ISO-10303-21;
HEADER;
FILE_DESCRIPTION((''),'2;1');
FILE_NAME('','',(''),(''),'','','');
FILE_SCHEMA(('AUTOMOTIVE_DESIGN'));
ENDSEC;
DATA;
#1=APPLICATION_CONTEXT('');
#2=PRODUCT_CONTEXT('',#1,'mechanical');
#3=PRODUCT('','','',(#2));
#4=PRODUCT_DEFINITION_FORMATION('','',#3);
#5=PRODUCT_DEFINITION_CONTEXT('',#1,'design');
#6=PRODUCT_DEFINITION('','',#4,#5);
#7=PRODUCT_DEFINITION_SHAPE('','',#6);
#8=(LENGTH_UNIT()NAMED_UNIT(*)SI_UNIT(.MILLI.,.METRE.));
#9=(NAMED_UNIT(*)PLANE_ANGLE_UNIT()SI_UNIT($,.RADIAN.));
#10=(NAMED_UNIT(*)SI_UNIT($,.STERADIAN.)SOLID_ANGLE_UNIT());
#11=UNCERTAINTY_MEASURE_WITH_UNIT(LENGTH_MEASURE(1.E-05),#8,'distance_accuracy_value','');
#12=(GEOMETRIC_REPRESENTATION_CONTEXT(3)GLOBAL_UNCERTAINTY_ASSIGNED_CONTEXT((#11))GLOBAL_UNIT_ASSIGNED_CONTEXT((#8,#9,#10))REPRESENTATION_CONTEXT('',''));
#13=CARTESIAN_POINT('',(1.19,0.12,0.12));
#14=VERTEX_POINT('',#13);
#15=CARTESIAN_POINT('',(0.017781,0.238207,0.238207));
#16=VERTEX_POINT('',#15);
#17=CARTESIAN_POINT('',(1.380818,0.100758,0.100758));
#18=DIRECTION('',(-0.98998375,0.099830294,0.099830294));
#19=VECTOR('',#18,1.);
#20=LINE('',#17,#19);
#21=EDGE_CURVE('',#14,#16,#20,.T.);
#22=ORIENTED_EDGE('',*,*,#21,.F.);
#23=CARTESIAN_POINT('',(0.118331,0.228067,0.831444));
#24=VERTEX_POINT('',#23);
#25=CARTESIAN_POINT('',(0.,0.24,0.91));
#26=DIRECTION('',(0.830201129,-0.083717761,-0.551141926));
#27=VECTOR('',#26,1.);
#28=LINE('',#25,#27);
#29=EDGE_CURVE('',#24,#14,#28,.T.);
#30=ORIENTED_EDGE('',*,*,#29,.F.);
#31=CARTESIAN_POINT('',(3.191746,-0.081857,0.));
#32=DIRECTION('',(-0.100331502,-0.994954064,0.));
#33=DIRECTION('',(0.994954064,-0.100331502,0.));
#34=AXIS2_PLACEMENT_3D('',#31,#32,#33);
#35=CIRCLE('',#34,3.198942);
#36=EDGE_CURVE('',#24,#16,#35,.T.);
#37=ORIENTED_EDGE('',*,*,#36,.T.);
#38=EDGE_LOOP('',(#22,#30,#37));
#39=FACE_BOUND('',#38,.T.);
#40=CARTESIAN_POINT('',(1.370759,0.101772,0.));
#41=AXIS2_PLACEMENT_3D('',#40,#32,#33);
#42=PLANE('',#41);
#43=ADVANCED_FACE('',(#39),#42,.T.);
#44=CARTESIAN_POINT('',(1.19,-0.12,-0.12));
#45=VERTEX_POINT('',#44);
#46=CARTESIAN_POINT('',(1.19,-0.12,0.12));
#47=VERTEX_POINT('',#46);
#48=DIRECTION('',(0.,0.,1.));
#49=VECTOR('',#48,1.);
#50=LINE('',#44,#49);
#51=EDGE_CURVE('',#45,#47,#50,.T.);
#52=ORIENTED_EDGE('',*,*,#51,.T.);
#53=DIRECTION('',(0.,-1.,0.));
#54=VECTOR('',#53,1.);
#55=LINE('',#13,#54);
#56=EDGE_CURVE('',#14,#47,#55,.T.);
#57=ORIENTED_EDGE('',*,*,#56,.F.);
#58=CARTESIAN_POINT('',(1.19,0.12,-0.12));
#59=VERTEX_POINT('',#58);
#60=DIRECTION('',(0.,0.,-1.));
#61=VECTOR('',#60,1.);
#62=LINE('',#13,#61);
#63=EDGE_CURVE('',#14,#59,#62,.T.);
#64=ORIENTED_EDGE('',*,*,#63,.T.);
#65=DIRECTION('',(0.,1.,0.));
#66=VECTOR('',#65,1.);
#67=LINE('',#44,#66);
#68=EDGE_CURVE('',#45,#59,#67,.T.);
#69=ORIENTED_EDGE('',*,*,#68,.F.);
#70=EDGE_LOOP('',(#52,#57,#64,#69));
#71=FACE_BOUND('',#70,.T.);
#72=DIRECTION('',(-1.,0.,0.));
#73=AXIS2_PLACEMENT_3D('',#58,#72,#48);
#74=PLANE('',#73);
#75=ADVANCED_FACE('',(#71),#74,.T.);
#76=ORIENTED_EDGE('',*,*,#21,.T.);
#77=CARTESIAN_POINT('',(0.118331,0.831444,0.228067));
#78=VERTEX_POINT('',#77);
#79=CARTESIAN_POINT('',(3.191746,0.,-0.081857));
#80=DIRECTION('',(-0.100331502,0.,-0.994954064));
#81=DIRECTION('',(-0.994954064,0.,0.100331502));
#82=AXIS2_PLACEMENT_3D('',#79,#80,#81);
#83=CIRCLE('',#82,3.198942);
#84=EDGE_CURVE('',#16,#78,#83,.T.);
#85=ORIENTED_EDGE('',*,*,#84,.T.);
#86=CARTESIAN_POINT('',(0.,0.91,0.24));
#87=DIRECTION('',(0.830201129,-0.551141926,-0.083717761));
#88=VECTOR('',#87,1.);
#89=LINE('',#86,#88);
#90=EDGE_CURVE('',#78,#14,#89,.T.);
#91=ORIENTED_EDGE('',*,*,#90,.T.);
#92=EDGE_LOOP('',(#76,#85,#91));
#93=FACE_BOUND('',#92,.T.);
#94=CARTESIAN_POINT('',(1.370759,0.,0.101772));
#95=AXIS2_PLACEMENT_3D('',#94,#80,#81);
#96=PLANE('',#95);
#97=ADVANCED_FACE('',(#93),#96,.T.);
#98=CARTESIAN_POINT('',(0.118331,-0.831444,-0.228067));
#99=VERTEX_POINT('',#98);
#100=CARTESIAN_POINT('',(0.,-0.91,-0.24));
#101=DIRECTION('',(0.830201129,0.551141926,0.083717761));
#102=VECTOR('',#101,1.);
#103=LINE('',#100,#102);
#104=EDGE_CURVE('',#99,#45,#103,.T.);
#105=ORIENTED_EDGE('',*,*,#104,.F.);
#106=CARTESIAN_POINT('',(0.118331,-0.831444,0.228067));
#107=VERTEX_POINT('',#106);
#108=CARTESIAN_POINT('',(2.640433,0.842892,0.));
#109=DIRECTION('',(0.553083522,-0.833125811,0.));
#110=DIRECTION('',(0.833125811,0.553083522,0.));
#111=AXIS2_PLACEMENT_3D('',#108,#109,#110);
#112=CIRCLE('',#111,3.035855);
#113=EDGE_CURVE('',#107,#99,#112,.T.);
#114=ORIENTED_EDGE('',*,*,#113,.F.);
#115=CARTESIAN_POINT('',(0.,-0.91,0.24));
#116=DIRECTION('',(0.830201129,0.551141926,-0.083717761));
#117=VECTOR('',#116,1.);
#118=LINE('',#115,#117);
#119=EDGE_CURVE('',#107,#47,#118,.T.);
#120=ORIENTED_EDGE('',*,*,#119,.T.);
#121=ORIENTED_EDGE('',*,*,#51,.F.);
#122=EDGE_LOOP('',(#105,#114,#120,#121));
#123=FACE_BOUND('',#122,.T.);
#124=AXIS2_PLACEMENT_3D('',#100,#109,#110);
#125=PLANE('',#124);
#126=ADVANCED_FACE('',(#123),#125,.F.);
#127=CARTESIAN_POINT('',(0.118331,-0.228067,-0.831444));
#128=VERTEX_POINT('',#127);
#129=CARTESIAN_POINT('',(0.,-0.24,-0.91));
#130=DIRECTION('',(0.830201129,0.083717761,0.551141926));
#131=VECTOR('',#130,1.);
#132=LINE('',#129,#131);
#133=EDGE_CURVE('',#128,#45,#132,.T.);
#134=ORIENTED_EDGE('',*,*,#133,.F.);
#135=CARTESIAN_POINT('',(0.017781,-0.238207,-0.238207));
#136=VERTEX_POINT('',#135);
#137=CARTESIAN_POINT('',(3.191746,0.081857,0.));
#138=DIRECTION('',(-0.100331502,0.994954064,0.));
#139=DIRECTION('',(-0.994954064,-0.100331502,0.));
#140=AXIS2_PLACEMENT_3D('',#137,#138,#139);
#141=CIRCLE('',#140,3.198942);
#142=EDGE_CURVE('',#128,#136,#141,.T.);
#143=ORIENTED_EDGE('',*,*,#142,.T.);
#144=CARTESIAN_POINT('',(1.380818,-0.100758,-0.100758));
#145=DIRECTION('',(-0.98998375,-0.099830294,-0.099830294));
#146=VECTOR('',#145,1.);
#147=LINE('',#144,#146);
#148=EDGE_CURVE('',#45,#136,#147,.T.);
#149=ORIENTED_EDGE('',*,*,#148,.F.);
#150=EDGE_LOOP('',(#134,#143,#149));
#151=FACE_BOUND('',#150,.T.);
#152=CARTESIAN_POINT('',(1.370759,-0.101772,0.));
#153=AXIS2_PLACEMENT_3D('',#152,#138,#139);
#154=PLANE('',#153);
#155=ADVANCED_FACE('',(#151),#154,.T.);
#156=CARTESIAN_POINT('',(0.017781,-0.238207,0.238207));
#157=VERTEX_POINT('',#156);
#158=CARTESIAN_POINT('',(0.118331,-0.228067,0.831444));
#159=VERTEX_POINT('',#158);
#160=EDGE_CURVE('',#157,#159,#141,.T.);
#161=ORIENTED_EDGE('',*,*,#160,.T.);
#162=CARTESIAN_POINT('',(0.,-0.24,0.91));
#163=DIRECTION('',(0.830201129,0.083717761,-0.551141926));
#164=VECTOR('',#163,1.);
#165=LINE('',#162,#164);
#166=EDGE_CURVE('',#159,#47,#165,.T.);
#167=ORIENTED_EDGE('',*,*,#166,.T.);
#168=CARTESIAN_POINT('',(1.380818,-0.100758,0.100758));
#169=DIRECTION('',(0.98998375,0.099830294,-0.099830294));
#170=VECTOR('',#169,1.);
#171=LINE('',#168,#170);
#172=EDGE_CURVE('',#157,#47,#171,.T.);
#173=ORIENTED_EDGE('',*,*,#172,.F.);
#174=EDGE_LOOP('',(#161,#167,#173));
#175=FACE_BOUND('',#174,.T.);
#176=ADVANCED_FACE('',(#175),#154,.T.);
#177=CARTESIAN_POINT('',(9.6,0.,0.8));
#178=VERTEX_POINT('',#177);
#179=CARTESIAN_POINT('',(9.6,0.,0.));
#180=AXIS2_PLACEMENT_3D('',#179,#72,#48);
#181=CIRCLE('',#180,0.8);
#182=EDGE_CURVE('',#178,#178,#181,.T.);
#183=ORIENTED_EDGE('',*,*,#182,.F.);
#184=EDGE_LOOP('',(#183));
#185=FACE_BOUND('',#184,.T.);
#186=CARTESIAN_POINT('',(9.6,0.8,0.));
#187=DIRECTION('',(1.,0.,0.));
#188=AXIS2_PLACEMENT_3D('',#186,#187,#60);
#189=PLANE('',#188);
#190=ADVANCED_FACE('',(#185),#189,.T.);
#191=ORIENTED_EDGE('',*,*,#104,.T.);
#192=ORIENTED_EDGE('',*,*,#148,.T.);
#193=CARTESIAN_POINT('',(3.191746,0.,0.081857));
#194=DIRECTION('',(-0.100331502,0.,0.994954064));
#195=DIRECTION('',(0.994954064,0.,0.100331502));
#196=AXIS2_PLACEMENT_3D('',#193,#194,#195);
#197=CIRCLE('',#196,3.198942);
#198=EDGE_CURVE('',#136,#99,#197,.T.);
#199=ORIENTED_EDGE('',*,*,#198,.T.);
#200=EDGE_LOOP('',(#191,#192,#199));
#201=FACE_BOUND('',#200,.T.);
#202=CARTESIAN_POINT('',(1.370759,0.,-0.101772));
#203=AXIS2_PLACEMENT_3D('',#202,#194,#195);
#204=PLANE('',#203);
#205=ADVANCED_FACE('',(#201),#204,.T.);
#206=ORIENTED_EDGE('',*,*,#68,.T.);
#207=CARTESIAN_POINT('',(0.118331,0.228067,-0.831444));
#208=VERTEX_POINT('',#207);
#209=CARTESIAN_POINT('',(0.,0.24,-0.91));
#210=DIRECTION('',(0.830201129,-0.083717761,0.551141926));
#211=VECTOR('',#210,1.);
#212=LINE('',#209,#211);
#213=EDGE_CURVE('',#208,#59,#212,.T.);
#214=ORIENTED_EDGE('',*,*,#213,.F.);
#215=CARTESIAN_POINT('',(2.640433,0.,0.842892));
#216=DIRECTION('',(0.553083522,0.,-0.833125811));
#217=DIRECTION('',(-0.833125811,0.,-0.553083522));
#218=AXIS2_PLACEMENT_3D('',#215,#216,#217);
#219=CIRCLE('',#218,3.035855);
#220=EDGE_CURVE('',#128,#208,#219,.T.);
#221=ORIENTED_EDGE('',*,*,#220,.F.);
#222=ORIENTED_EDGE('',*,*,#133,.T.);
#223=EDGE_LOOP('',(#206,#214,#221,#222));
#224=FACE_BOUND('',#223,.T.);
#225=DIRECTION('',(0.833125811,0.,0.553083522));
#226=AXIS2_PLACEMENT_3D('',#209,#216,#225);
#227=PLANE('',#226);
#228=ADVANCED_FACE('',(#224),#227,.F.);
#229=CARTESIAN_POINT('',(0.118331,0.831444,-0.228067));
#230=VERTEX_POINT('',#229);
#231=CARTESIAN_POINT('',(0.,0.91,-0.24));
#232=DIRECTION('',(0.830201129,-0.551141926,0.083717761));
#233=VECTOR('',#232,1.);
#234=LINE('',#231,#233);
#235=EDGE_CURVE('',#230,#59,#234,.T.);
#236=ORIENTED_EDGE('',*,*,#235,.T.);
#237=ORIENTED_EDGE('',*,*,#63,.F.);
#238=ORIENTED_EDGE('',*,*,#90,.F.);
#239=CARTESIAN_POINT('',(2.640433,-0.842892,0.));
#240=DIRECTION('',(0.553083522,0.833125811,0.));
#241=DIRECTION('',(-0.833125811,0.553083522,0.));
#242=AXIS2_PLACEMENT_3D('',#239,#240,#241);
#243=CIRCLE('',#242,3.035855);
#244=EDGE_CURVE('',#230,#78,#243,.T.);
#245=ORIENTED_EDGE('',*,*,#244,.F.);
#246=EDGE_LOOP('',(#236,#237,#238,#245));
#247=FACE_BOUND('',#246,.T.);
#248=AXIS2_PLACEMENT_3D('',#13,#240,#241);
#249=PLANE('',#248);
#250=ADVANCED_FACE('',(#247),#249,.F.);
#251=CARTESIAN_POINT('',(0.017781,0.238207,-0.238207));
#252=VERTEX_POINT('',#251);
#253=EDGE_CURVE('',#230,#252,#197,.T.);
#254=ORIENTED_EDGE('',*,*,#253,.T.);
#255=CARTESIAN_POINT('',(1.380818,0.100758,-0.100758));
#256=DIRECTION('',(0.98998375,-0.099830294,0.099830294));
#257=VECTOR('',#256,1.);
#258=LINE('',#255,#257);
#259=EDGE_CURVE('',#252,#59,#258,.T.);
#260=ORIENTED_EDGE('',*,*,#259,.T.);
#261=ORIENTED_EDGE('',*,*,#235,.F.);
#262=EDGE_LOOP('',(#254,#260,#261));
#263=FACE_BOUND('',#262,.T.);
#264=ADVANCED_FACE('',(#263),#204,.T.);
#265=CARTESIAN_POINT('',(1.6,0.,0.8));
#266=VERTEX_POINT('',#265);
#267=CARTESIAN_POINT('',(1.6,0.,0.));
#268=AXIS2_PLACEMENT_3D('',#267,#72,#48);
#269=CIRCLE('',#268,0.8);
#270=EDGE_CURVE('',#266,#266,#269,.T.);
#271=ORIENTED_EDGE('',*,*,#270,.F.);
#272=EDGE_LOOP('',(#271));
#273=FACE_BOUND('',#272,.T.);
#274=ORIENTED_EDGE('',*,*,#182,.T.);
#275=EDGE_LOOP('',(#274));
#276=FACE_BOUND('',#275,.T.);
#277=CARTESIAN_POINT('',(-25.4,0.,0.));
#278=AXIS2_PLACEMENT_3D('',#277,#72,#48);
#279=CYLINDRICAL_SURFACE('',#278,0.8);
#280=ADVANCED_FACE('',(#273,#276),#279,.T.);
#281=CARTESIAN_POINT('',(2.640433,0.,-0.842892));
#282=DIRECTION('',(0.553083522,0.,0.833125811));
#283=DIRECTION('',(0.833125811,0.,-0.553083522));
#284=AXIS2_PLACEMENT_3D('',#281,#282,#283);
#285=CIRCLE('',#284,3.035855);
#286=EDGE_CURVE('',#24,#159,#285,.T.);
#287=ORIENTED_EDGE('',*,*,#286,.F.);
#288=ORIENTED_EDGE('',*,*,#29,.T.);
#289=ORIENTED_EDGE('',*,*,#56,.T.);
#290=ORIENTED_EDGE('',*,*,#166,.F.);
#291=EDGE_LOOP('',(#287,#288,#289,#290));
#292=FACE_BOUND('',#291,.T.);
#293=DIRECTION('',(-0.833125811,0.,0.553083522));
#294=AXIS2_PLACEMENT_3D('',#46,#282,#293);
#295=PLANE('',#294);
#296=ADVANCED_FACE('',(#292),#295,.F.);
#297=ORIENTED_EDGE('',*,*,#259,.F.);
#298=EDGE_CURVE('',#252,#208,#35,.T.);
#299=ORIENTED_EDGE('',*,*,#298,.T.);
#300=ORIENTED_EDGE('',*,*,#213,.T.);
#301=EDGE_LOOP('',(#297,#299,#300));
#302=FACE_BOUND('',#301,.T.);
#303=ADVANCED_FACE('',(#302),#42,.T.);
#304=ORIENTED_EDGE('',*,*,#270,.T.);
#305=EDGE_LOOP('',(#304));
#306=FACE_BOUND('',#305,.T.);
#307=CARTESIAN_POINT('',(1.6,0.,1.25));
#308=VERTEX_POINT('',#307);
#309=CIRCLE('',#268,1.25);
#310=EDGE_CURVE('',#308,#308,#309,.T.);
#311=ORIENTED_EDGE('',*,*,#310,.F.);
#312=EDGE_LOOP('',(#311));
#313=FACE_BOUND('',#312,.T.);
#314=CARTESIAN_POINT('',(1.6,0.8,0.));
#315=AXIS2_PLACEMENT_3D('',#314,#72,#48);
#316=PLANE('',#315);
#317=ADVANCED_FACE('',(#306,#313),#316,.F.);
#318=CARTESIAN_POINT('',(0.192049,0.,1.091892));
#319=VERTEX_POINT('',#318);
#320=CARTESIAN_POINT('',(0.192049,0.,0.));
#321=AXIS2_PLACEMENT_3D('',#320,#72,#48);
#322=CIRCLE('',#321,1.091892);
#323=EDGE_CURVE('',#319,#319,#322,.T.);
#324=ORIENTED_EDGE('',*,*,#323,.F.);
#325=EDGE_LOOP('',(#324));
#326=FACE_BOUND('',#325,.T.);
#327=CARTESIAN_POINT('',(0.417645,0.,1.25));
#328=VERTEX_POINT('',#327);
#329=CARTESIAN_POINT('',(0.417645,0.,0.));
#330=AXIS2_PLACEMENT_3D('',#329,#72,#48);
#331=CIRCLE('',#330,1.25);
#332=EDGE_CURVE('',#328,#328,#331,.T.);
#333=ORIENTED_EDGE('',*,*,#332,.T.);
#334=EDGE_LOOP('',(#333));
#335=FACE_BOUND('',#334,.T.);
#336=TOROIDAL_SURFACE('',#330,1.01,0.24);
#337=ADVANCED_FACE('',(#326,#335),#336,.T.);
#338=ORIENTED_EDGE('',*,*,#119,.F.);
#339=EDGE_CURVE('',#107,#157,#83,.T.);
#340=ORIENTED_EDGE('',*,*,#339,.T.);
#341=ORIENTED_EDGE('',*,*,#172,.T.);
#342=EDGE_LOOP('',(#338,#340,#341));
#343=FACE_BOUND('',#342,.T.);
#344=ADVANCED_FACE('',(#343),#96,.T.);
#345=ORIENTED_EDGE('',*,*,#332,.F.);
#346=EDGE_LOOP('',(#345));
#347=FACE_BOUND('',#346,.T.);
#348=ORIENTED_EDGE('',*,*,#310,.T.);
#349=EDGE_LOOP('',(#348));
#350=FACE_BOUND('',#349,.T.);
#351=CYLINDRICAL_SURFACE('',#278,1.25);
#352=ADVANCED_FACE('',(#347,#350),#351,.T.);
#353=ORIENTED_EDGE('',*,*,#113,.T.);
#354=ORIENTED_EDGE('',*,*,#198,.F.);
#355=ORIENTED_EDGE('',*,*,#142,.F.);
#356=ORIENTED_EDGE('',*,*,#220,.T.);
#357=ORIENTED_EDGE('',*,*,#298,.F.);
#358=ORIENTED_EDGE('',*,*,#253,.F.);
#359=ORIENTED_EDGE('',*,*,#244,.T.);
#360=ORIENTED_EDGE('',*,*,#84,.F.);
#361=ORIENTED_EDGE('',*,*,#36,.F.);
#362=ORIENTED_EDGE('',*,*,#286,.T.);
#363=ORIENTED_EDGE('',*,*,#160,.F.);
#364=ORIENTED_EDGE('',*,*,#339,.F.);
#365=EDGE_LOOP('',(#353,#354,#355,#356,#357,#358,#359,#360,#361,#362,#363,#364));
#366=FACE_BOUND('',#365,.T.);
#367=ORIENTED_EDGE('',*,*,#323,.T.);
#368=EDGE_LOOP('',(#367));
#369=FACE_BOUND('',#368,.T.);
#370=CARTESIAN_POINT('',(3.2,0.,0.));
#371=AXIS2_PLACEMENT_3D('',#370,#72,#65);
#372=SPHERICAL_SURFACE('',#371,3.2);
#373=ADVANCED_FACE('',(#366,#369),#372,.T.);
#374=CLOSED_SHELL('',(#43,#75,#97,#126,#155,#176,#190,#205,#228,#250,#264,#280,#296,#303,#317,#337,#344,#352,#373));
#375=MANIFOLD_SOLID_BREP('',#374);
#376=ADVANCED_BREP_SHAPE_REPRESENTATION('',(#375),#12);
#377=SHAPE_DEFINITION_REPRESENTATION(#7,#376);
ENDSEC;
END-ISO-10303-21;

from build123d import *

# Parameters (mm, degrees)
SKETCH3_W         = 0.48
SKETCH3_H         = 1.82
SKETCH4_W         = 0.24
SKETCH4_H         = 0.24
CIRPATTERN1_COUNT = 2
CIRPATTERN1_ANGLE = 90


with BuildPart() as part:
    # BodySke → Base-Revolve (revolve)
    with BuildSketch(Plane.XY):
        with BuildLine():
            Line((1.6, 0.8), (1.6, 1.25))
            Line((1.6, 1.25), (0.417644882, 1.25))
            ThreePointArc((0.417644882, 1.25), (0.279902467, 1.206537597), (0.192048522, 1.091891892))
            ThreePointArc((0.192048522, 1.091891892), (0.04837782, 0.554326289), (0, 0))
            Line((0, 0), (9.6, 0))
            Line((9.6, 0), (9.6, 0.8))
            Line((9.6, 0.8), (1.6, 0.8))
        make_face()
    revolve(axis=Axis((-25.4, 0, 0), (1, 0, 0)))

    # Sketch3 → Cut-Loft1 section 0
    with BuildSketch(Plane(origin=(0, 0, 0), x_dir=(0, 0, -1), z_dir=(1, 0, 0))):
        Rectangle(SKETCH3_W, SKETCH3_H)
    # Sketch4 → Cut-Loft1 section 1
    with BuildSketch(Plane(origin=(1.19, 0, 0), x_dir=(0, 0, -1), z_dir=(1, 0, 0))):
        Rectangle(SKETCH4_W, SKETCH4_H)
    cut_loft1 = loft(mode=Mode.SUBTRACT)

    # CirPattern1: Cut-Loft1 ×2 about axis
    cirpattern1_axis = Axis((0, 0, 0), (1, 0, 0))
    for i in range(1, CIRPATTERN1_COUNT):
        add(cut_loft1.rotate(cirpattern1_axis, i * CIRPATTERN1_ANGLE / (CIRPATTERN1_COUNT - 1)), mode=Mode.SUBTRACT)


solid = part.part
